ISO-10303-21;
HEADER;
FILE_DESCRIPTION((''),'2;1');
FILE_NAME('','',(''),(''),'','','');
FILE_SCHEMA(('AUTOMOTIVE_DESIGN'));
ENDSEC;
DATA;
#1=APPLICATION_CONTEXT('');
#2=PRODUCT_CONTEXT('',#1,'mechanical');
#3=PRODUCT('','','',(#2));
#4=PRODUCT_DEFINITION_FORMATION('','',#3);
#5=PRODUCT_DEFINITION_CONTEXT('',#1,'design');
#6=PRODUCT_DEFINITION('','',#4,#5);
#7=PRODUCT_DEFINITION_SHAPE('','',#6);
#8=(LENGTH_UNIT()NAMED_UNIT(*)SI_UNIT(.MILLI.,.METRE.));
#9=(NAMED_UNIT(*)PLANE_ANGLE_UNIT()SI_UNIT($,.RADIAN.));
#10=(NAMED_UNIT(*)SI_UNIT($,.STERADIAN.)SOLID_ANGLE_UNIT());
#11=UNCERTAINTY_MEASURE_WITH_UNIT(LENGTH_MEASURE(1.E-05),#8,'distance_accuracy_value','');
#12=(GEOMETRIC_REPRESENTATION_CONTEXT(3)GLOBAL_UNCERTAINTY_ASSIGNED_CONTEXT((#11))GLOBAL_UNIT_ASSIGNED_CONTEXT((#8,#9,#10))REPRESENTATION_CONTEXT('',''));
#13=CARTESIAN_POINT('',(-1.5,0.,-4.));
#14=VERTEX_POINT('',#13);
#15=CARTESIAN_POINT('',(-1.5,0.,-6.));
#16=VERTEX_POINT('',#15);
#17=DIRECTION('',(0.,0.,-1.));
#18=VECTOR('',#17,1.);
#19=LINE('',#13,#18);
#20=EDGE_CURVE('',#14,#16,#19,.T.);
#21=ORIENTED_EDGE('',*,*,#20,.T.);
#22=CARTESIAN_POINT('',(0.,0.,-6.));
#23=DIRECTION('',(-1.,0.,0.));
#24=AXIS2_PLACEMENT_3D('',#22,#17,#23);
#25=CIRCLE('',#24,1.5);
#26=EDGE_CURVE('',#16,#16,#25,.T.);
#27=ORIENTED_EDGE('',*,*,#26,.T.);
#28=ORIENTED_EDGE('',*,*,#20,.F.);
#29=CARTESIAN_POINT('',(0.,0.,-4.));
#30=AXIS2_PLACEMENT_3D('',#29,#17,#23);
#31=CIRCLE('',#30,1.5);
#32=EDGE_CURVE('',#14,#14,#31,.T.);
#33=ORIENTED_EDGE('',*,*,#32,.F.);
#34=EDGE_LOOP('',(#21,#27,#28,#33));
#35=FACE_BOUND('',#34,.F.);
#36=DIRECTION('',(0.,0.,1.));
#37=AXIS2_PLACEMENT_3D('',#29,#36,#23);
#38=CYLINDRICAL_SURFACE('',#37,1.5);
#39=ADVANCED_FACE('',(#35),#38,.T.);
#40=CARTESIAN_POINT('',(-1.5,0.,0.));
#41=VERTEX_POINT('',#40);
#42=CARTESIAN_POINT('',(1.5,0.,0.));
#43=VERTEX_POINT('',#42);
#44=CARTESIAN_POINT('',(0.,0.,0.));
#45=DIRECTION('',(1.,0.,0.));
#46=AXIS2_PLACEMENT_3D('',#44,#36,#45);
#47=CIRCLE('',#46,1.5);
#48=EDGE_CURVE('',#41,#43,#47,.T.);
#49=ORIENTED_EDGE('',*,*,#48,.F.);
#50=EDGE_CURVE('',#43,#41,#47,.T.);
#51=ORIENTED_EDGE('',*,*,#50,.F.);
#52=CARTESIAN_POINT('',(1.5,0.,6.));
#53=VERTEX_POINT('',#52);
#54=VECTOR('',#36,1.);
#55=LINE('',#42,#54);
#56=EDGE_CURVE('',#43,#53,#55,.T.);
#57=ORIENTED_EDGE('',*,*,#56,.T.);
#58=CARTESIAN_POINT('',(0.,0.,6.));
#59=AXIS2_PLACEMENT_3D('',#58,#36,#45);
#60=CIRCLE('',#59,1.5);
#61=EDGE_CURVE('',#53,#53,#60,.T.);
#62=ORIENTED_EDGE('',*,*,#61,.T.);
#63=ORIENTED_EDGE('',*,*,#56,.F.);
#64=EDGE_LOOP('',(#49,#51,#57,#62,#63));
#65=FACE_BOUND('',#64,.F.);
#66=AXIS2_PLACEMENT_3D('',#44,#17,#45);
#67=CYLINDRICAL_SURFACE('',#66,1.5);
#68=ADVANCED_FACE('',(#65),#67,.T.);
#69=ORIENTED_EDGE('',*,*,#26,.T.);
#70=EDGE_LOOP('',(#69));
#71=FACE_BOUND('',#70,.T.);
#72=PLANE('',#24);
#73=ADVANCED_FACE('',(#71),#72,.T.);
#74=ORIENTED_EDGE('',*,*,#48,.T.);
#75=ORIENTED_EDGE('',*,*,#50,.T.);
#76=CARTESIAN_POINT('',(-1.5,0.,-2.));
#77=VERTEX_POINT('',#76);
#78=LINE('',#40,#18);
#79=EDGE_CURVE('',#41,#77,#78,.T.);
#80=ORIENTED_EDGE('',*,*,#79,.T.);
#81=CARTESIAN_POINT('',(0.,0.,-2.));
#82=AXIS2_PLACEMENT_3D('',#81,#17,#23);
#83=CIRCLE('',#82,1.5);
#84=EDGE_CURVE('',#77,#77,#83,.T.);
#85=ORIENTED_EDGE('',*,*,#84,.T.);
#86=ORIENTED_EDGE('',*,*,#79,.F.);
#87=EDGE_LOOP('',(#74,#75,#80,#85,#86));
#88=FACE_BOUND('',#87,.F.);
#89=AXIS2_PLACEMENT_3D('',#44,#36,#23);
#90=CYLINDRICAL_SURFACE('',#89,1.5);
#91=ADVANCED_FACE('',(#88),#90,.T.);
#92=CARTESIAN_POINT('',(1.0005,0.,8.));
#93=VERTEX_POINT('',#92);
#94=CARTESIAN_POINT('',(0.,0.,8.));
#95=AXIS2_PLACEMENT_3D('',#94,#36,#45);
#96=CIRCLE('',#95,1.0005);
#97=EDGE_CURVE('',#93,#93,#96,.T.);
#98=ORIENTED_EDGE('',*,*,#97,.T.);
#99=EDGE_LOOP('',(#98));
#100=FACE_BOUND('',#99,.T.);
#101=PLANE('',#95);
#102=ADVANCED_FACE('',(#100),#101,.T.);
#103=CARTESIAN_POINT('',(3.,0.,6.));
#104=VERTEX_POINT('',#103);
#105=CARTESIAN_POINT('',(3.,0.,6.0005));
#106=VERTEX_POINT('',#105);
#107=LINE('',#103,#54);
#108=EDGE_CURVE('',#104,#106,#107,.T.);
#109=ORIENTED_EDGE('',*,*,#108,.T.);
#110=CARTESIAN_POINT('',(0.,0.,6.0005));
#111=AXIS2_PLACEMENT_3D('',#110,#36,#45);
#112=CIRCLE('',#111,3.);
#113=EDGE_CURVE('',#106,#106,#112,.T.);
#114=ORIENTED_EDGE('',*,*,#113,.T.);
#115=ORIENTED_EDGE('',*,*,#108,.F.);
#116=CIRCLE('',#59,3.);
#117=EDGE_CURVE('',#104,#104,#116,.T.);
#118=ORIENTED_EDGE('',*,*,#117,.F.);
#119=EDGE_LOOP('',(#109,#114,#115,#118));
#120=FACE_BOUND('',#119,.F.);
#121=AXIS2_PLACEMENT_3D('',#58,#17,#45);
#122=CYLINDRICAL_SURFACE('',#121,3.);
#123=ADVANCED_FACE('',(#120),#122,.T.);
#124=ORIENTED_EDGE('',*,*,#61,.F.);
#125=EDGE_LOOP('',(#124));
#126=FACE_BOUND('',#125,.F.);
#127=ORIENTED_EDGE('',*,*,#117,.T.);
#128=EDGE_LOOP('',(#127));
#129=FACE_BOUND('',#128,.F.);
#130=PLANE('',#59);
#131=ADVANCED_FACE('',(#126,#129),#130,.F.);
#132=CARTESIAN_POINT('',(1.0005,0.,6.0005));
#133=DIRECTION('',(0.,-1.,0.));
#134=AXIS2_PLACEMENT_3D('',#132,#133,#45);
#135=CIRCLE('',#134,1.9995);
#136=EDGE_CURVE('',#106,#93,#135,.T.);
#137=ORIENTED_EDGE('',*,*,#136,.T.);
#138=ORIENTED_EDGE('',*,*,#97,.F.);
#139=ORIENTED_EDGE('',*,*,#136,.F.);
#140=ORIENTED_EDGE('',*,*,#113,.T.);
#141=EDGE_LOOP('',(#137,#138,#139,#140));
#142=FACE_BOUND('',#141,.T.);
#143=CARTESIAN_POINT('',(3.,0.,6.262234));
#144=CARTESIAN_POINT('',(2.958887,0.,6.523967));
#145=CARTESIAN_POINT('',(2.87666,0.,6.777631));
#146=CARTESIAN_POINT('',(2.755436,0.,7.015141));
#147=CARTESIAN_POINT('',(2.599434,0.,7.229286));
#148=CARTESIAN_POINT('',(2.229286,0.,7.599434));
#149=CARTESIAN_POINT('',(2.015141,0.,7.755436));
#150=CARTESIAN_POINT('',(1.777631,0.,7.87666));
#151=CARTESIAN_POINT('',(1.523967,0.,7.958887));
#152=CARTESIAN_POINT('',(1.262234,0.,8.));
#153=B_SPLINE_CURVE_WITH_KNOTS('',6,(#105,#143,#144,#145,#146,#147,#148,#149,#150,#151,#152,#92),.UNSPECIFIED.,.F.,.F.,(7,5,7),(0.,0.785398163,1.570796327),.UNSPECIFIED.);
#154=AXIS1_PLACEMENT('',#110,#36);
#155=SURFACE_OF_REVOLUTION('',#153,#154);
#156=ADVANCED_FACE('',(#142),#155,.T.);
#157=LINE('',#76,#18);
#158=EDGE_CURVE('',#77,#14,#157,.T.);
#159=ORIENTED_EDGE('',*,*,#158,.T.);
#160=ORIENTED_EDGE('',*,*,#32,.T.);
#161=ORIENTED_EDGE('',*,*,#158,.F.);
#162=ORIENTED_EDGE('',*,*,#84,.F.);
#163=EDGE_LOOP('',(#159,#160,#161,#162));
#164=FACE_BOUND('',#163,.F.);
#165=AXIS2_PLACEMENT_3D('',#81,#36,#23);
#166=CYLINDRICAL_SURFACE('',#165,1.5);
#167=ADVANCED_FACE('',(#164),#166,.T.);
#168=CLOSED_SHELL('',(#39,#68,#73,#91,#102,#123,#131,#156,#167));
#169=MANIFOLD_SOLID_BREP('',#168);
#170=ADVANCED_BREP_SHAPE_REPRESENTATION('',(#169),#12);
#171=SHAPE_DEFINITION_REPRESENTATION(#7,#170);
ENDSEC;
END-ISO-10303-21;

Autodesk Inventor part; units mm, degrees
ref_plane "YZ Plane" through (0, 0, 0) normal (1, 0, 0) x (0, 1, 0)
ref_plane "XZ Plane" through (0, 0, 0) normal (0, 1, 0) x (-1, 0, 0)
ref_plane "XY Plane" through (0, 0, 0) normal (0, 0, 1) x (1, 0, 0)
sketch "スケッチ1" plane through (0, 0, 0) normal (0, 0, 1) x (1, 0, 0)
  circle A0 centre (0, 0) radius 1.5
  dimension "d0" = 3
extrude "押し出し1" add sketch "スケッチ1" along normal blind 6
sketch "スケッチ2" plane through (0, 0, 6) normal (0, 0, 1) x (1, 0, 0)
  circle A0 centre (0, 0) radius 1.5 projected
  circle A1 centre (0, 0) radius 3
  dimension "d3" = 6
extrude "押し出し2" add sketch "スケッチ2" along normal blind 2 contours A0 | A1
fillet "フィレット1" radius 2 1 edges at (-3, 0, 8)
thread "ねじ1" size "M3x0.5" class "6g" standard "ANSI Metric M Profile" full length
sketch "スケッチ3" plane through (0, 0, 0) normal (0, 0, -1) x (-1, 0, 0)
  circle A0 centre (0, 0) radius 1.5 projected
extrude "押し出し3" add sketch "スケッチ3" along normal blind 2
sketch "スケッチ4" plane through (0, 0, -2) normal (0, 0, -1) x (-1, 0, 0)
  circle A0 centre (0, 0) radius 1.5 projected
extrude "押し出し4" add sketch "スケッチ4" along normal blind 2
sketch "スケッチ5" plane through (0, 0, -4) normal (0, 0, -1) x (-1, 0, 0)
  circle A0 centre (0, 0) radius 1.5 projected
extrude "押し出し5" add sketch "スケッチ5" along normal blind 2
properties part number "SB　12mmなべネジ" material "Steel, Mild"
